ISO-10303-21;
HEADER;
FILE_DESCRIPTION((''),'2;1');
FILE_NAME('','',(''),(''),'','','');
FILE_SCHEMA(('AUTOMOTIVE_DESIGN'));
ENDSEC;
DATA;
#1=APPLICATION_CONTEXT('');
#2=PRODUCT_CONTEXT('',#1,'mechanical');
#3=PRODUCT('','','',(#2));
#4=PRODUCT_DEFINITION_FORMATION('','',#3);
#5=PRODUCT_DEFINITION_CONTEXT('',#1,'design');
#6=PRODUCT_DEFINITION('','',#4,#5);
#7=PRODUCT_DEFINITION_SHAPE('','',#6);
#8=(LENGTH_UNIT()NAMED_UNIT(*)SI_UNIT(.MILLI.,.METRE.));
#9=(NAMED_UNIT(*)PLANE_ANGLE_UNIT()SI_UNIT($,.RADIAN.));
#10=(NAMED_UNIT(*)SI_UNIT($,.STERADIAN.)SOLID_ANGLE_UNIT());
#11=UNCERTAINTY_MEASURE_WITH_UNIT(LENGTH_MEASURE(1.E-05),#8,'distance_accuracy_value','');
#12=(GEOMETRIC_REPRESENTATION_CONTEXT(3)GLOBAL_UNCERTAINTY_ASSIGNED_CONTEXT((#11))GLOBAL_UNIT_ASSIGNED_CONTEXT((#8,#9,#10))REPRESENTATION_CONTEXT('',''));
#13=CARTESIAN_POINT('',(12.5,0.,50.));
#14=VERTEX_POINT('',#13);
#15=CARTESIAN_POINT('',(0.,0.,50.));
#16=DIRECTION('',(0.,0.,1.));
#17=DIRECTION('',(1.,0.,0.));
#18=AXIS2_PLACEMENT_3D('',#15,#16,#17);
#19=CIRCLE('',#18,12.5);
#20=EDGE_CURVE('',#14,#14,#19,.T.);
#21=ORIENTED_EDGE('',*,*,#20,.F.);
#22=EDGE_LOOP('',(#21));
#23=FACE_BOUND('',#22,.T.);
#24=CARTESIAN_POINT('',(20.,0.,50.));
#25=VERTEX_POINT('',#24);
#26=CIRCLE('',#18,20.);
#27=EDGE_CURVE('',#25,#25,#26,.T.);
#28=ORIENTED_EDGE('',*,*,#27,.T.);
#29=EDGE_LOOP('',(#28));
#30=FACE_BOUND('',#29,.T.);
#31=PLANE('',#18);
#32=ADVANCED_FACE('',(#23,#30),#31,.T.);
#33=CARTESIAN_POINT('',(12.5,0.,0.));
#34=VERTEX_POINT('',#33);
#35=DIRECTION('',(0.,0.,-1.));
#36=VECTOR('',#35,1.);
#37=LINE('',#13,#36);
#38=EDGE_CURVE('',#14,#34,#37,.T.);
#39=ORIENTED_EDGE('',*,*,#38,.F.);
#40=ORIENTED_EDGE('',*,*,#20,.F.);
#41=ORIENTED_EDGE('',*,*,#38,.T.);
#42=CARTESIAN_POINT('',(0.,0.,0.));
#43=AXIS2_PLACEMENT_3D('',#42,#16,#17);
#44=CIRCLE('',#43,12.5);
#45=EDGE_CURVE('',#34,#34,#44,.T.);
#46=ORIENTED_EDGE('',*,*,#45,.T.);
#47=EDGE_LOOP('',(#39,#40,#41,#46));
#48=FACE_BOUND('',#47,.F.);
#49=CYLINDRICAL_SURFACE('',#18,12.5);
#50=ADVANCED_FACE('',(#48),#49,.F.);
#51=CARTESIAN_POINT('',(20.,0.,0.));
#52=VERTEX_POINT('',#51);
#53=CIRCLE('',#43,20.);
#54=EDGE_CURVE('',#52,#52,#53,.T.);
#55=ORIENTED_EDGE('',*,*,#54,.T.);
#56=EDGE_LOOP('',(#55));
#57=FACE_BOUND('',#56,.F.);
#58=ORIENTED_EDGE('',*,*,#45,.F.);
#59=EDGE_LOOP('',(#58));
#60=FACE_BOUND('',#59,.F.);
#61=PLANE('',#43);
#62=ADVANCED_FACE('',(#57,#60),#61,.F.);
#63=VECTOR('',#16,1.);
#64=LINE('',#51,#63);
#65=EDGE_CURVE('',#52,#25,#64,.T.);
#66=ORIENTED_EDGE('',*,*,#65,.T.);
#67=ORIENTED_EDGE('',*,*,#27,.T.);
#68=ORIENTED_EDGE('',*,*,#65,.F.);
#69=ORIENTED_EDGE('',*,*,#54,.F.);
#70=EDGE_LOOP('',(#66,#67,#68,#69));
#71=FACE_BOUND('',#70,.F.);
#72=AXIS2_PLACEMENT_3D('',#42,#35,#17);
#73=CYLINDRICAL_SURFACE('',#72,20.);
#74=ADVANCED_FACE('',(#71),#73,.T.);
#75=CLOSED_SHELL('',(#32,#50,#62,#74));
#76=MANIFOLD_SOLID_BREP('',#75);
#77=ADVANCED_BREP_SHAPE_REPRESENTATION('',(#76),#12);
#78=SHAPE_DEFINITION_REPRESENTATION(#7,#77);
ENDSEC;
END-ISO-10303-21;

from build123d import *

# Parameters (mm, degrees)
SKETCH_R     = 20
PAD_DEPTH    = 50
SKETCH001_R  = 12.5
POCKET_DEPTH = 50.001


with BuildPart() as part:
    # Sketch → Pad (new body)
    with BuildSketch(Plane.XY):
        Circle(SKETCH_R)
    extrude(amount=PAD_DEPTH)

    # Sketch001 (on Face3 of Pad) → Pocket (cut, through all)
    with BuildSketch(Plane.XY.offset(50)):
        Circle(SKETCH001_R)
    extrude(amount=-POCKET_DEPTH, mode=Mode.SUBTRACT)


solid = part.part
